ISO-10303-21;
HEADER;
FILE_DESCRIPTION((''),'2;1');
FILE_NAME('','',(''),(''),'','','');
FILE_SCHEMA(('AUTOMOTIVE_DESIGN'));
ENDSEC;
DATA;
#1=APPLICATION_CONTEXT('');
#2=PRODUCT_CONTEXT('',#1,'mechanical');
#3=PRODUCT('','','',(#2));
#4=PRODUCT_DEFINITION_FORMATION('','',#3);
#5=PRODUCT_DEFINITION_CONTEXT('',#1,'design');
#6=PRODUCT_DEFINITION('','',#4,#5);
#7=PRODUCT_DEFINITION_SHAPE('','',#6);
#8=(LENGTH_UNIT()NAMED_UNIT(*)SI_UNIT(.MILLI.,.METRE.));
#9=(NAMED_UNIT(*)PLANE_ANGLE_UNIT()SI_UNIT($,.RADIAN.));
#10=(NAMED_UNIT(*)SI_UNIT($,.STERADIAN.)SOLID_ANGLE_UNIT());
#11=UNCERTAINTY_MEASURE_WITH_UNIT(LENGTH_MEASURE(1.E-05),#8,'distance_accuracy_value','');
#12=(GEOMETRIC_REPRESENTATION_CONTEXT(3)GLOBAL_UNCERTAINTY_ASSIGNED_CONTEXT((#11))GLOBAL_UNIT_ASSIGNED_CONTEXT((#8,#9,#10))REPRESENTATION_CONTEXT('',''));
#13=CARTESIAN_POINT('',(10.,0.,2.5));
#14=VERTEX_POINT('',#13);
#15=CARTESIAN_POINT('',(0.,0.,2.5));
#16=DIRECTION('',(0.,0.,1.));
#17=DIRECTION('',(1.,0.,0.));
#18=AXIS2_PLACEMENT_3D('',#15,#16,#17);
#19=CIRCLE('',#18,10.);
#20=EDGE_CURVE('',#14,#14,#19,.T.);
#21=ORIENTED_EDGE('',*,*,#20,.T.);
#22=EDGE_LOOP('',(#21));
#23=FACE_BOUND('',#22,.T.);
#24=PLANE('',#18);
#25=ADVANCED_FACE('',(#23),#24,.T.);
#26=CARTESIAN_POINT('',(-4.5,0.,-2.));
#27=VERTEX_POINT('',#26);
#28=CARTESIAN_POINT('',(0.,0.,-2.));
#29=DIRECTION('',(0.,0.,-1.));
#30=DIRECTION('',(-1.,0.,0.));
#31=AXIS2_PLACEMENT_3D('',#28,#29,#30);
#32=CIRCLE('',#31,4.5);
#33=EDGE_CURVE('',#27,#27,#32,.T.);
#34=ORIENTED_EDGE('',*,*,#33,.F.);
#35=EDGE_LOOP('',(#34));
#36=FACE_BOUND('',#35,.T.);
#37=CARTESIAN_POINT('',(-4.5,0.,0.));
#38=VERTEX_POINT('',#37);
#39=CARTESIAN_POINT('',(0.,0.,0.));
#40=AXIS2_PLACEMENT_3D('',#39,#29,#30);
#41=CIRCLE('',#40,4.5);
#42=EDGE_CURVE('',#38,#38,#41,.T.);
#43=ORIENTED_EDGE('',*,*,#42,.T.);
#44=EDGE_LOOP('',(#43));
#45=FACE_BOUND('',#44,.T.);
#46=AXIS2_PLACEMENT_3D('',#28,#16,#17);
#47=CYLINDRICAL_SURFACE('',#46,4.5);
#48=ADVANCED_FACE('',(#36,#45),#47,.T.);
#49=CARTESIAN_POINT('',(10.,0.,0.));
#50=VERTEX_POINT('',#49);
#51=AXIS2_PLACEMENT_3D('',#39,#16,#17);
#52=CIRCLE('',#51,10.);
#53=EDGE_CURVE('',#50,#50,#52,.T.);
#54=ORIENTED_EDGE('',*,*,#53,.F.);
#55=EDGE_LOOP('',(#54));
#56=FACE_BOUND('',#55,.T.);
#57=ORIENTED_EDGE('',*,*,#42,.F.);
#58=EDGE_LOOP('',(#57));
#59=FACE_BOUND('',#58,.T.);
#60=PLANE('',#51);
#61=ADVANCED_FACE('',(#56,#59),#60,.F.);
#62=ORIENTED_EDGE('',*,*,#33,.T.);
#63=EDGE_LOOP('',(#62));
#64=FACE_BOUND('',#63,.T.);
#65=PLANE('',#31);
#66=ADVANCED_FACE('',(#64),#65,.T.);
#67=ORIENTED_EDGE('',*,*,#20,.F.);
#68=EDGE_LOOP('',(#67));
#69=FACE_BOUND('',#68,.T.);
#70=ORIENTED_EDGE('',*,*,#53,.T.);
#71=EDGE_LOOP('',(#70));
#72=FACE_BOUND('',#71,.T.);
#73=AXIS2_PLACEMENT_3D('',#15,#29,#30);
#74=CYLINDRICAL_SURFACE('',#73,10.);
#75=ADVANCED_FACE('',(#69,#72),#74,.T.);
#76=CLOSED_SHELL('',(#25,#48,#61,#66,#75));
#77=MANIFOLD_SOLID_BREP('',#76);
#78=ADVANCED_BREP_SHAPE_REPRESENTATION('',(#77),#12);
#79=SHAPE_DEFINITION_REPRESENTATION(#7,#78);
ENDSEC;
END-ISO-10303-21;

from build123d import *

# Parameters (mm, degrees)
SKETCH_1_R      = 10
EXTRUDE_3_DEPTH = 2.5
SKETCH_5_R      = 4.5
EXTRUDE_4_DEPTH = 2


with BuildPart() as part:
    # 草图1 → 凸台-拉伸3 (new body)
    with BuildSketch(Plane.XY):
        Circle(SKETCH_1_R)
    extrude(amount=EXTRUDE_3_DEPTH)

    # 草图5 → 凸台-拉伸4 (add)
    with BuildSketch(Plane(origin=(0, 0, 0), x_dir=(-1, 0, 0), z_dir=(0, 0, -1))):
        Circle(SKETCH_5_R)
    extrude(amount=EXTRUDE_4_DEPTH)


solid = part.part
